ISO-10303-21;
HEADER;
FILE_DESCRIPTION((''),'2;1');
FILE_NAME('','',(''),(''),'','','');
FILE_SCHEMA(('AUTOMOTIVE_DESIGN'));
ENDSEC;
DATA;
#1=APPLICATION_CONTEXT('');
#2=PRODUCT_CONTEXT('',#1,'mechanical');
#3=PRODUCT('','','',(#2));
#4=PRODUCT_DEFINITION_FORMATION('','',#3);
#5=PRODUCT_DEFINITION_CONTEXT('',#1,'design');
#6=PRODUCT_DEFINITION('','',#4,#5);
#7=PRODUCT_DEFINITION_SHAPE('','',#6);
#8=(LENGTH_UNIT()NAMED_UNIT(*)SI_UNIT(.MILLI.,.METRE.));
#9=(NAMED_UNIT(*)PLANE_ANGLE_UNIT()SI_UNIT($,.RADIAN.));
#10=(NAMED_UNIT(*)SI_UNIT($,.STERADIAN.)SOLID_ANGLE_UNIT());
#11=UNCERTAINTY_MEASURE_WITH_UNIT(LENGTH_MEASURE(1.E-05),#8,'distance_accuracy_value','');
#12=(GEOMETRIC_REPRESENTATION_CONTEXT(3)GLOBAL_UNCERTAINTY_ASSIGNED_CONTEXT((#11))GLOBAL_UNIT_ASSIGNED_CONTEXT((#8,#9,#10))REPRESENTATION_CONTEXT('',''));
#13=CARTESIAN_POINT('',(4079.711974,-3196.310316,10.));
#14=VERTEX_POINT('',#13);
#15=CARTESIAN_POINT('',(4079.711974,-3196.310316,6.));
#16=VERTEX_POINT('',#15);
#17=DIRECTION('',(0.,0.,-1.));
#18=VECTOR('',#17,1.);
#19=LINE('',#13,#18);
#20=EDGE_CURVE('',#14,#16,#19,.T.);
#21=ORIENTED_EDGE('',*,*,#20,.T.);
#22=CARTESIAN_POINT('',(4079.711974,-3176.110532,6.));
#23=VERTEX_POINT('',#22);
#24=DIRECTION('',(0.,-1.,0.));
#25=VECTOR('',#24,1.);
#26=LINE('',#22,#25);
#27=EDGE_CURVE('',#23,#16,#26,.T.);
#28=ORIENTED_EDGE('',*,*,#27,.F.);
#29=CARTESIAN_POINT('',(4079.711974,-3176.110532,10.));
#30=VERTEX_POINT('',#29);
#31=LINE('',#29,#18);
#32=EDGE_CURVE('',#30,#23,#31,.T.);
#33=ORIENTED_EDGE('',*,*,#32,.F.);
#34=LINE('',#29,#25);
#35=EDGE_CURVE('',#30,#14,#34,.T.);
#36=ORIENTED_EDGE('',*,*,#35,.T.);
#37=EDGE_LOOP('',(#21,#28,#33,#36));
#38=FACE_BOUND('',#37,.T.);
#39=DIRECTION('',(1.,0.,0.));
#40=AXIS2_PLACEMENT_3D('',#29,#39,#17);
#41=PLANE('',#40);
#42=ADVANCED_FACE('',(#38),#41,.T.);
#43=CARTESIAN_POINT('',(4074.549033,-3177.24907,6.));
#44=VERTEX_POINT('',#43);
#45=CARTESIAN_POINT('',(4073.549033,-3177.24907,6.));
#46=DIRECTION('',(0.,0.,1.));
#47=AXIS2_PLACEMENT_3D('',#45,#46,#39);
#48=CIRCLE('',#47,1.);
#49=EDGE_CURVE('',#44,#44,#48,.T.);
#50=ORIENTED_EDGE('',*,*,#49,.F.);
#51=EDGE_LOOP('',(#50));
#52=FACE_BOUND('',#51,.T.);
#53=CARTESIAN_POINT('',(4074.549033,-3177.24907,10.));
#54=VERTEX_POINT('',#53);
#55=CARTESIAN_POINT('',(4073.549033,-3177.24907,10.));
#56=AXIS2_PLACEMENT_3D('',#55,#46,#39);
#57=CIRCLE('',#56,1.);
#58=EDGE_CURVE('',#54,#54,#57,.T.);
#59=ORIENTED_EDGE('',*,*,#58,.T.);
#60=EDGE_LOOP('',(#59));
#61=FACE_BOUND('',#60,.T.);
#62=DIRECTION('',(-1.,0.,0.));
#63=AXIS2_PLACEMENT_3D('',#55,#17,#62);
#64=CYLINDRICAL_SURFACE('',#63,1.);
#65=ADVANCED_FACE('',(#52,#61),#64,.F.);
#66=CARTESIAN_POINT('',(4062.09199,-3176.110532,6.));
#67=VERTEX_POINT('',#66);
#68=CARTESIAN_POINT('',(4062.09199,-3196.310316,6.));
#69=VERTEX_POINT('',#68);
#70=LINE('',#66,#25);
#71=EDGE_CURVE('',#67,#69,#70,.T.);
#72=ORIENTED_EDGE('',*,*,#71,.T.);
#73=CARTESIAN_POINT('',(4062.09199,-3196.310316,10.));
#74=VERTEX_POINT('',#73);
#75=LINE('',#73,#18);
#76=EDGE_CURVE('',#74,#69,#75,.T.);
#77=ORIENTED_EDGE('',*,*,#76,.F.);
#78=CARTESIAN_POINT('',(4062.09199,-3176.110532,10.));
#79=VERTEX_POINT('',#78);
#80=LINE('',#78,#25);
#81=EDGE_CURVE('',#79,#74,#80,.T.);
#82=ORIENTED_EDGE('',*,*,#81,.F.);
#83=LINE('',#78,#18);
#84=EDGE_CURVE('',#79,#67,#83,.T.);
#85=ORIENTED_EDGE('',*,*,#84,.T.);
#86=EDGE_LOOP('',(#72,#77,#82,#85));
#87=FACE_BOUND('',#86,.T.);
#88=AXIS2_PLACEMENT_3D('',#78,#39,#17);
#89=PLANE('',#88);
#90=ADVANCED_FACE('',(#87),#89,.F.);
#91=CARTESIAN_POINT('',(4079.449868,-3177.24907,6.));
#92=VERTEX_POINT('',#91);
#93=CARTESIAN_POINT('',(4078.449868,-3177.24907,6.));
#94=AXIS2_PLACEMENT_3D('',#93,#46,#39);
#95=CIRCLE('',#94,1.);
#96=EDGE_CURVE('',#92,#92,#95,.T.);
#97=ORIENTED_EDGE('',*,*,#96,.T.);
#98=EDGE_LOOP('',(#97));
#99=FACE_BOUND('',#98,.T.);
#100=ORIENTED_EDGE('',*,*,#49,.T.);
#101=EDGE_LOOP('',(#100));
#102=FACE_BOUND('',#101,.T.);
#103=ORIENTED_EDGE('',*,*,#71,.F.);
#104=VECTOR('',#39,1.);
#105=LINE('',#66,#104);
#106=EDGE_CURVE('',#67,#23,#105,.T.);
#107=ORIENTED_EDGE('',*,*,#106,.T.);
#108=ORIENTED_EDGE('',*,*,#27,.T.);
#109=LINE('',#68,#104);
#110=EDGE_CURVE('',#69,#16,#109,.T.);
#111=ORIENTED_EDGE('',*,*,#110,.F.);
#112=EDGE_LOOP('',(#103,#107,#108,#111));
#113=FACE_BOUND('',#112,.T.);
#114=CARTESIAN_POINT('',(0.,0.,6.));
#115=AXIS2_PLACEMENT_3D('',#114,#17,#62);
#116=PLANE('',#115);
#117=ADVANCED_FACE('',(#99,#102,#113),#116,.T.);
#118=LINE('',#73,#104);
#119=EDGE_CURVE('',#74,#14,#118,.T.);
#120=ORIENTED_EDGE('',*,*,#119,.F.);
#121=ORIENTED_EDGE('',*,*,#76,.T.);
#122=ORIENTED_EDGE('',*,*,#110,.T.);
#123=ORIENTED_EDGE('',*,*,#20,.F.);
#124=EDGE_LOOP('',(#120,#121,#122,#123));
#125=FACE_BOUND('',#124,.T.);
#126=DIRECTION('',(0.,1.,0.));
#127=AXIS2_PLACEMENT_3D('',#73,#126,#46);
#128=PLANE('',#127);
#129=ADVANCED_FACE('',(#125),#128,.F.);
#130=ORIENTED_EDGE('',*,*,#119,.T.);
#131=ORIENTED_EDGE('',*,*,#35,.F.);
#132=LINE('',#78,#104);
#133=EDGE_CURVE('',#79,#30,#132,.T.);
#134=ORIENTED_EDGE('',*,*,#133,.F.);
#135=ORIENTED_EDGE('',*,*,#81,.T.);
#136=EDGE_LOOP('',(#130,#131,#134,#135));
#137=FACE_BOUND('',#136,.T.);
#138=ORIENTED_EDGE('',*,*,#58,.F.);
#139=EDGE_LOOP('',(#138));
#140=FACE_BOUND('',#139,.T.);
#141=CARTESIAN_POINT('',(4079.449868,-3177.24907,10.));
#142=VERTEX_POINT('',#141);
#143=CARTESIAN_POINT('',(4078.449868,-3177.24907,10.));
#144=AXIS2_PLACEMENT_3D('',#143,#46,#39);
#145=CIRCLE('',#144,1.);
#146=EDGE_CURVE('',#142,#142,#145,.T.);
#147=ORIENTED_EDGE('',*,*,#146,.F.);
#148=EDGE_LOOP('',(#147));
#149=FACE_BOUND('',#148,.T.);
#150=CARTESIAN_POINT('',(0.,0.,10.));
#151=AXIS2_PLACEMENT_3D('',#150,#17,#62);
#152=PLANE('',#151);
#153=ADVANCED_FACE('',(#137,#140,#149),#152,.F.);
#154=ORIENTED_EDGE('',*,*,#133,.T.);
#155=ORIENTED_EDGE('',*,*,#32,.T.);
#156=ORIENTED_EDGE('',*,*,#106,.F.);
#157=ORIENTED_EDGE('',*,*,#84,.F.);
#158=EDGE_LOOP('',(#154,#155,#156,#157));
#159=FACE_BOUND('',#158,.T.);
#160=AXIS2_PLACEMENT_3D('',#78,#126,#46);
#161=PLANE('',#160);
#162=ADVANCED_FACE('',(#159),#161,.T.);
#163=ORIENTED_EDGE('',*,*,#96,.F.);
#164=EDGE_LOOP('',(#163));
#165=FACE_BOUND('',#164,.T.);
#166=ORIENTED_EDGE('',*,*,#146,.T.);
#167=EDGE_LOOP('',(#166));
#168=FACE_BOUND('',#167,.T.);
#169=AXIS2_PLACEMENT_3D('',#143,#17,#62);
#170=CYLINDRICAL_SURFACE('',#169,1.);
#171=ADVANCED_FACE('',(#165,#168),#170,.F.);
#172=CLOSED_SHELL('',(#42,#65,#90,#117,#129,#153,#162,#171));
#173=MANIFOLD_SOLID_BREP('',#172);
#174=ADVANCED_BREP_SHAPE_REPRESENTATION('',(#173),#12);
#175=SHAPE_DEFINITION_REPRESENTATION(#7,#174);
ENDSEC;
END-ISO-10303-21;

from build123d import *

# Parameters (mm, degrees)
EXTRUDE_START   = 6
SKETCH_4_W      = 17.619983613
SKETCH_4_H      = 20.199783613
SKETCH_4_R      = 1
EXTRUDE_1_DEPTH = 4


with BuildPart() as part:
    # 草图4 → 凸台-拉伸1 (new body)
    with BuildSketch(Plane.XY.offset(EXTRUDE_START)):
        with Locations((4070.90198202, -3186.21042393)):
            Rectangle(SKETCH_4_W, SKETCH_4_H)
        with Locations((4073.549032956, -3177.249070092)):
            Circle(SKETCH_4_R, mode=Mode.SUBTRACT)
        with Locations((4078.449868123, -3177.249070092)):
            Circle(SKETCH_4_R, mode=Mode.SUBTRACT)
    extrude(amount=EXTRUDE_1_DEPTH)


solid = part.part
